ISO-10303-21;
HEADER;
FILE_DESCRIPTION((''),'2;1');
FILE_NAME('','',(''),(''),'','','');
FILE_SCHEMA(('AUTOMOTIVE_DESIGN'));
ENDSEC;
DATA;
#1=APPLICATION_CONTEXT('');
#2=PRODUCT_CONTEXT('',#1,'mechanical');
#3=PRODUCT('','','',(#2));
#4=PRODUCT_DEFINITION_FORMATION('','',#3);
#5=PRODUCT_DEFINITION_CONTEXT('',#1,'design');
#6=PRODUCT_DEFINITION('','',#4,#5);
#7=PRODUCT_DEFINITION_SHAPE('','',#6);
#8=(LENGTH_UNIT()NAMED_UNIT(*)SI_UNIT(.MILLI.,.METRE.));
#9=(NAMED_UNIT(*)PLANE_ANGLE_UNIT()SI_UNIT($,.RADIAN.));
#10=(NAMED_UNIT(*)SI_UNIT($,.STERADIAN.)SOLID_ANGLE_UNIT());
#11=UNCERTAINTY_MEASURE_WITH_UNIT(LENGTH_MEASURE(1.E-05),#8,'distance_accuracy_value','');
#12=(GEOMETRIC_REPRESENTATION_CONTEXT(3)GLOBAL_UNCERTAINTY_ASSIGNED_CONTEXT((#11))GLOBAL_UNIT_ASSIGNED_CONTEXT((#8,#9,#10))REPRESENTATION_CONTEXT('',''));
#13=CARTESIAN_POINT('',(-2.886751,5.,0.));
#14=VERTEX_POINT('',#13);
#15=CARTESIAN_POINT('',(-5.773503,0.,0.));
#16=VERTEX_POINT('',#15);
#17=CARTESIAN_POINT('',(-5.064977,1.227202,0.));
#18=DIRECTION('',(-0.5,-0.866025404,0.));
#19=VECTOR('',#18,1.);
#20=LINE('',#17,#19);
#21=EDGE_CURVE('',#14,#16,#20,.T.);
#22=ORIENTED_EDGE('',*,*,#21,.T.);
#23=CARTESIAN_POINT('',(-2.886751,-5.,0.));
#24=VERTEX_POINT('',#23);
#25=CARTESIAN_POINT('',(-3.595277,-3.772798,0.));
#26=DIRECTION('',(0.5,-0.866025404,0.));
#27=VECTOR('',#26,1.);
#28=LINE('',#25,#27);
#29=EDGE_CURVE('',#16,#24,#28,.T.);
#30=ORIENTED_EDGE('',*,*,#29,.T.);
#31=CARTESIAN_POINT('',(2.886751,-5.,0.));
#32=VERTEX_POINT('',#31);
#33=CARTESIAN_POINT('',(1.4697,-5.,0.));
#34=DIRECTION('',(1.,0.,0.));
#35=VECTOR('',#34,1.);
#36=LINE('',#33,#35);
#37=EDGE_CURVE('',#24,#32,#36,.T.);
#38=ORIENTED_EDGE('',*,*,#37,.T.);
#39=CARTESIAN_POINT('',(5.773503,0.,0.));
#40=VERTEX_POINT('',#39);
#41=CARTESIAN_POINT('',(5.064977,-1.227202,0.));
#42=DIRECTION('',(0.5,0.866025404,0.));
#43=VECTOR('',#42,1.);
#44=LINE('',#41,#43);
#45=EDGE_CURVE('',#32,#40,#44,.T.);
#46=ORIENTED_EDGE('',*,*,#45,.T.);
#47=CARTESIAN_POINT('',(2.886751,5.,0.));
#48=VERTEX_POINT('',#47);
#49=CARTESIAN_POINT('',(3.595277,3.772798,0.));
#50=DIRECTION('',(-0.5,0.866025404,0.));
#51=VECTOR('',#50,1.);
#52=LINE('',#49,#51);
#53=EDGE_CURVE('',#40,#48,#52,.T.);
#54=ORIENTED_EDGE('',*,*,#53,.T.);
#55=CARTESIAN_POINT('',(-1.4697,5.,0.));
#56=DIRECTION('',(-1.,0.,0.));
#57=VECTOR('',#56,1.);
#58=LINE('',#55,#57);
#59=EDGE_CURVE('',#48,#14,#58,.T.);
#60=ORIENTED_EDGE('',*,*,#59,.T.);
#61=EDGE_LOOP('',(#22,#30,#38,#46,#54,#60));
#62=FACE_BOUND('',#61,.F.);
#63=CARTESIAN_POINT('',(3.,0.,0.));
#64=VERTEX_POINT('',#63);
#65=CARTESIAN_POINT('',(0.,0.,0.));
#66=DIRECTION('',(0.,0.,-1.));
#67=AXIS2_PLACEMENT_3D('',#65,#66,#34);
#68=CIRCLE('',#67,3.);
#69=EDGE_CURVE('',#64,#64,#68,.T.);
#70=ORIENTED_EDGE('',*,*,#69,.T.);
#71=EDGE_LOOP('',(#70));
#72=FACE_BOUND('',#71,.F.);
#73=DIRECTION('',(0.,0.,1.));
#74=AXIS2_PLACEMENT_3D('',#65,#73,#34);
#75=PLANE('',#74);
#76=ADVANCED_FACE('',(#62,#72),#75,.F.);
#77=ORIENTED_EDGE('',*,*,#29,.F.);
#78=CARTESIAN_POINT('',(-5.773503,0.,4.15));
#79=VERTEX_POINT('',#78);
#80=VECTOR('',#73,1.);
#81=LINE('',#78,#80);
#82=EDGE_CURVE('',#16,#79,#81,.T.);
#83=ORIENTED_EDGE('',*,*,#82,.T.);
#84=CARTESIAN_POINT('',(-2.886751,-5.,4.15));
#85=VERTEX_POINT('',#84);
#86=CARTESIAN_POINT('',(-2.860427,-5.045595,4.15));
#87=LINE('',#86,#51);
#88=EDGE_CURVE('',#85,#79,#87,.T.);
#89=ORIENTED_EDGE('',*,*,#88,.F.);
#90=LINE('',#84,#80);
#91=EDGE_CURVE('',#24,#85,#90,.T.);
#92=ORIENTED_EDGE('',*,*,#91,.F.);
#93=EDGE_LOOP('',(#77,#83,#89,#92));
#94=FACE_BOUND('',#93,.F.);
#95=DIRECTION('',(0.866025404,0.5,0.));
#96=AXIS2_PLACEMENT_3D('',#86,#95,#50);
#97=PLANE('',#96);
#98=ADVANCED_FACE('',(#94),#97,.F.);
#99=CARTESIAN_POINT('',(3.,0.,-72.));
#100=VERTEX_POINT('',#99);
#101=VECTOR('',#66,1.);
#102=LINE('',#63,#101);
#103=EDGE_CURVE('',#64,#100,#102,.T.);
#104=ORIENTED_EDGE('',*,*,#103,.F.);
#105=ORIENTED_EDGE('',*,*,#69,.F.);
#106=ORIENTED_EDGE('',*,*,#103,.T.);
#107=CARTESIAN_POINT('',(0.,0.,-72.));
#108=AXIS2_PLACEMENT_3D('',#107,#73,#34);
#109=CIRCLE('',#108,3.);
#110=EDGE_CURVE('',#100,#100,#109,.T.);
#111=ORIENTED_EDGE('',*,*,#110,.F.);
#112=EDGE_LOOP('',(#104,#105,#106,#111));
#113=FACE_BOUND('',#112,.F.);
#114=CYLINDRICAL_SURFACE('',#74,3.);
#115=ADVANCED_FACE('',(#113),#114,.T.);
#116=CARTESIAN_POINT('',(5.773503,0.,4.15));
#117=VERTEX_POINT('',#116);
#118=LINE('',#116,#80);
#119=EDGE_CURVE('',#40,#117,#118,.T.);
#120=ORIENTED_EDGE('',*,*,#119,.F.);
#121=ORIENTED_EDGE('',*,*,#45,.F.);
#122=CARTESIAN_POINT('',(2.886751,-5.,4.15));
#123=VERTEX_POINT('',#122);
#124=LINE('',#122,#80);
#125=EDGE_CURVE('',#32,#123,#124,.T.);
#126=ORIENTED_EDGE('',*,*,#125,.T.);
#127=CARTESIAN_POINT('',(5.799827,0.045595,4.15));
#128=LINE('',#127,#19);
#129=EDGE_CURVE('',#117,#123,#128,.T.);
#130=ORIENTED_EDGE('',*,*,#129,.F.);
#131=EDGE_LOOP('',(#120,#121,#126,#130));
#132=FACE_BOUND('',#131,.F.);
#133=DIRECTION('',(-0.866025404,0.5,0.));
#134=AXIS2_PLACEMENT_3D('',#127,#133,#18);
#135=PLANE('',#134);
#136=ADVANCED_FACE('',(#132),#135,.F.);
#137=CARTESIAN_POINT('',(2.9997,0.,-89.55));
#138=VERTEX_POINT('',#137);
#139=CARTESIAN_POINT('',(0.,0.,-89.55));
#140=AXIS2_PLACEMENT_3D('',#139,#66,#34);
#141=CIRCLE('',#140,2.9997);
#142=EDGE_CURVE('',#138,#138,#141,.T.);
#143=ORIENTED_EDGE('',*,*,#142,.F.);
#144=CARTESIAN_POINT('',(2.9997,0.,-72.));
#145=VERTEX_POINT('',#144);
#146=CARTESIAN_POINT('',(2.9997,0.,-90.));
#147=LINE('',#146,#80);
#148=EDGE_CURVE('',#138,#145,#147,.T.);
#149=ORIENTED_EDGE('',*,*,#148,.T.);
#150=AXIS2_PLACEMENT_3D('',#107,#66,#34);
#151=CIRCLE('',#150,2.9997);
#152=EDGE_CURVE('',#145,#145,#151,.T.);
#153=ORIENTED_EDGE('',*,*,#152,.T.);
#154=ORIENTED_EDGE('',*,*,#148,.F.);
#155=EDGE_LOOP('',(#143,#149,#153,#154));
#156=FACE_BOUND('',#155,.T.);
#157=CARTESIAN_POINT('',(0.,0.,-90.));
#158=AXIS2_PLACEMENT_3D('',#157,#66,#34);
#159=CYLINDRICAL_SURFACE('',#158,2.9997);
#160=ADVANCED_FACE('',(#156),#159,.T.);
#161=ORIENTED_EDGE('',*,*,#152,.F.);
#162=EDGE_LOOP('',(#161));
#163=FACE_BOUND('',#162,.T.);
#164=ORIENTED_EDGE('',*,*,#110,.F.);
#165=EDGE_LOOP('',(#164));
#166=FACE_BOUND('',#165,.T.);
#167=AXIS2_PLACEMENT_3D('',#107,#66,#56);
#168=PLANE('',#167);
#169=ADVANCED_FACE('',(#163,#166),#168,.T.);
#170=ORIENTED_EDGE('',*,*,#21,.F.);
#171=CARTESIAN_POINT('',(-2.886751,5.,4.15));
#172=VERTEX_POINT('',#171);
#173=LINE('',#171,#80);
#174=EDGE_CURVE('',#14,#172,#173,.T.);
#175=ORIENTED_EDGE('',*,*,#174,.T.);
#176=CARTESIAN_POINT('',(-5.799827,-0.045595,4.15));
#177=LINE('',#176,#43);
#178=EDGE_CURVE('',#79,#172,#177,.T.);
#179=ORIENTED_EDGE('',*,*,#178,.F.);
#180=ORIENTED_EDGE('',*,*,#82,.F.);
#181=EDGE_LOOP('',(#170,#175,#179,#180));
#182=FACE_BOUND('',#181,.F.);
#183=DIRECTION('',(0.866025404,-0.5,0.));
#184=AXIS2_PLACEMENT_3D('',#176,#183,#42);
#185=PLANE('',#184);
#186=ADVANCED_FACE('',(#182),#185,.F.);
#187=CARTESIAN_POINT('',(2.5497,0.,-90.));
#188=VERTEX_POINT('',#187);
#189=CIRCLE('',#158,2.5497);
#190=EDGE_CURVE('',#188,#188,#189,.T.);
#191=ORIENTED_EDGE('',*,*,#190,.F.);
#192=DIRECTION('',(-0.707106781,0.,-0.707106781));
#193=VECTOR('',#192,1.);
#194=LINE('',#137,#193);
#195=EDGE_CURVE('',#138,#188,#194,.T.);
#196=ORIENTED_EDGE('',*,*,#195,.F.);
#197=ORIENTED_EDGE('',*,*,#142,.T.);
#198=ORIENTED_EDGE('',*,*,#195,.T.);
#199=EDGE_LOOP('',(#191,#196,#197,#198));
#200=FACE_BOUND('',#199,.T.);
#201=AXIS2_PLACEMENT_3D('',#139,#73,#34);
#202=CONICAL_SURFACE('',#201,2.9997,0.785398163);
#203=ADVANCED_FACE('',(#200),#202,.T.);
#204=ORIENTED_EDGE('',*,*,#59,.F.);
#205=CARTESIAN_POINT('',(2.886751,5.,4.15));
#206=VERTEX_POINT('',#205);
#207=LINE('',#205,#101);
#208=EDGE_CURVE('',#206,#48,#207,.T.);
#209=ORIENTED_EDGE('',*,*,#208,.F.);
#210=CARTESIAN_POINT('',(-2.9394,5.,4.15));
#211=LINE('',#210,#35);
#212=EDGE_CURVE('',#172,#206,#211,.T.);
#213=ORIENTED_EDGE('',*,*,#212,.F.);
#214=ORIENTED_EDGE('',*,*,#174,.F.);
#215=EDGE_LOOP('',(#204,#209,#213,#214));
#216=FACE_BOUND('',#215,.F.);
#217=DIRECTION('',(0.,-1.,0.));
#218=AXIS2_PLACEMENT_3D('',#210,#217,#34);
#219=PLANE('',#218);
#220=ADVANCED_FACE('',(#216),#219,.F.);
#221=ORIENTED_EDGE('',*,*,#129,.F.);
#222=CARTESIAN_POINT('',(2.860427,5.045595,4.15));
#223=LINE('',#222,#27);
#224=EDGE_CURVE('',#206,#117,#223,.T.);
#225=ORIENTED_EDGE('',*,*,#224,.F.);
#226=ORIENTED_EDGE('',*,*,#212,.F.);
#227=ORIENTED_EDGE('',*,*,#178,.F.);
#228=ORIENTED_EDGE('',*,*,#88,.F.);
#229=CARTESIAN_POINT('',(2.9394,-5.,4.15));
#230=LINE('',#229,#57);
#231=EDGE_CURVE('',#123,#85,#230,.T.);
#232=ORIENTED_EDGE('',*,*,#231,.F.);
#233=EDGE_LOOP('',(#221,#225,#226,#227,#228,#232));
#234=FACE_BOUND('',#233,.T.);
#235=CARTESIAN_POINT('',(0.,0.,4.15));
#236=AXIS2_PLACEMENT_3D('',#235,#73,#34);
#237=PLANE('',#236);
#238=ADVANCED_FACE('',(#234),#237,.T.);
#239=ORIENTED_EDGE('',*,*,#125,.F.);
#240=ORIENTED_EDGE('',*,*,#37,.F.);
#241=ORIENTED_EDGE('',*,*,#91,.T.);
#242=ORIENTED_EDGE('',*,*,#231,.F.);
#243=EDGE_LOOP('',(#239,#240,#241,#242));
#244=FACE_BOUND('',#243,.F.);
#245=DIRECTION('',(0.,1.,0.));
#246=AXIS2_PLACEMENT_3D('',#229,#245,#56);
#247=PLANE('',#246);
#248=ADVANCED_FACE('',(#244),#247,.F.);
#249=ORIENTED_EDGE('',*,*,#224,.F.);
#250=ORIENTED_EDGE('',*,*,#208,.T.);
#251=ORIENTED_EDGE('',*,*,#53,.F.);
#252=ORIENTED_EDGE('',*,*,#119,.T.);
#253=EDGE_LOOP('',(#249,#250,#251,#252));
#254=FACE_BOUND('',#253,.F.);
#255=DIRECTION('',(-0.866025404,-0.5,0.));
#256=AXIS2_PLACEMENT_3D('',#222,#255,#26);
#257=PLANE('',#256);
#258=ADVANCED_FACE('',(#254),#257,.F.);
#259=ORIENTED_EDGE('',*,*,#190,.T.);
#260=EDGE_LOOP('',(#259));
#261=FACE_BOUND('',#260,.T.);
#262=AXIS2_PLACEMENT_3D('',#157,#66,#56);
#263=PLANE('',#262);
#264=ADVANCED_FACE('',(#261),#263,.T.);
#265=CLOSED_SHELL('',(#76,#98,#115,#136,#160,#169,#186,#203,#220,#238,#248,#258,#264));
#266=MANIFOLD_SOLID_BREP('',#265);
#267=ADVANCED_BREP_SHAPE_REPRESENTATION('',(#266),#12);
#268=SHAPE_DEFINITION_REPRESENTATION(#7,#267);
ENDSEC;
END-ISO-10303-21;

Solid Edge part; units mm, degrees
sketch "Sketch1" plane through (0, 0, 0) normal (0, 0, 1) x (1, 0, 0)
  circle A0 centre (0, 0) radius 5.8
  dimension "D1" = 11.6
extrude "Protrusion1" add sketch "Sketch1" along normal blind 4.15
sketch "Sketch2" plane through (0, 0, 0) normal (0, 0, -1) x (1, 0, 0)
  circle A0 centre (0, 0) radius 3
extrude "Protrusion2" add sketch "Sketch2" along normal blind 90
sketch "Sketch3" plane through (0, 0, -90) normal (0, 0, -1) x (1, 0, 0)
  circle A0 centre (0, 0) radius 2.9997
extrude "Cutout1" cut sketch "Sketch3" against normal blind 18 flip side to cut
chamfer "Chamfer_1" distance 0.45 angle 45 1 edges at (-2.9997, 0, -90)
sketch "Sketch4" plane through (0, 0, 4.15) normal (0, 0, 1) x (1, 0, 0)
  line L0 (-2.9394, 5) -> (2.9394, 5)
  dimension "D1" = 10
extrude "Cutout2" cut sketch "Sketch4" against normal up to next material side at (0, 5.05, 4.15)
pattern_circular "Pattern1" count 6 over 360 about axis through (0, 0, 4.15) along (0, 0, 1) of "Cutout2"
properties part number "185597"
